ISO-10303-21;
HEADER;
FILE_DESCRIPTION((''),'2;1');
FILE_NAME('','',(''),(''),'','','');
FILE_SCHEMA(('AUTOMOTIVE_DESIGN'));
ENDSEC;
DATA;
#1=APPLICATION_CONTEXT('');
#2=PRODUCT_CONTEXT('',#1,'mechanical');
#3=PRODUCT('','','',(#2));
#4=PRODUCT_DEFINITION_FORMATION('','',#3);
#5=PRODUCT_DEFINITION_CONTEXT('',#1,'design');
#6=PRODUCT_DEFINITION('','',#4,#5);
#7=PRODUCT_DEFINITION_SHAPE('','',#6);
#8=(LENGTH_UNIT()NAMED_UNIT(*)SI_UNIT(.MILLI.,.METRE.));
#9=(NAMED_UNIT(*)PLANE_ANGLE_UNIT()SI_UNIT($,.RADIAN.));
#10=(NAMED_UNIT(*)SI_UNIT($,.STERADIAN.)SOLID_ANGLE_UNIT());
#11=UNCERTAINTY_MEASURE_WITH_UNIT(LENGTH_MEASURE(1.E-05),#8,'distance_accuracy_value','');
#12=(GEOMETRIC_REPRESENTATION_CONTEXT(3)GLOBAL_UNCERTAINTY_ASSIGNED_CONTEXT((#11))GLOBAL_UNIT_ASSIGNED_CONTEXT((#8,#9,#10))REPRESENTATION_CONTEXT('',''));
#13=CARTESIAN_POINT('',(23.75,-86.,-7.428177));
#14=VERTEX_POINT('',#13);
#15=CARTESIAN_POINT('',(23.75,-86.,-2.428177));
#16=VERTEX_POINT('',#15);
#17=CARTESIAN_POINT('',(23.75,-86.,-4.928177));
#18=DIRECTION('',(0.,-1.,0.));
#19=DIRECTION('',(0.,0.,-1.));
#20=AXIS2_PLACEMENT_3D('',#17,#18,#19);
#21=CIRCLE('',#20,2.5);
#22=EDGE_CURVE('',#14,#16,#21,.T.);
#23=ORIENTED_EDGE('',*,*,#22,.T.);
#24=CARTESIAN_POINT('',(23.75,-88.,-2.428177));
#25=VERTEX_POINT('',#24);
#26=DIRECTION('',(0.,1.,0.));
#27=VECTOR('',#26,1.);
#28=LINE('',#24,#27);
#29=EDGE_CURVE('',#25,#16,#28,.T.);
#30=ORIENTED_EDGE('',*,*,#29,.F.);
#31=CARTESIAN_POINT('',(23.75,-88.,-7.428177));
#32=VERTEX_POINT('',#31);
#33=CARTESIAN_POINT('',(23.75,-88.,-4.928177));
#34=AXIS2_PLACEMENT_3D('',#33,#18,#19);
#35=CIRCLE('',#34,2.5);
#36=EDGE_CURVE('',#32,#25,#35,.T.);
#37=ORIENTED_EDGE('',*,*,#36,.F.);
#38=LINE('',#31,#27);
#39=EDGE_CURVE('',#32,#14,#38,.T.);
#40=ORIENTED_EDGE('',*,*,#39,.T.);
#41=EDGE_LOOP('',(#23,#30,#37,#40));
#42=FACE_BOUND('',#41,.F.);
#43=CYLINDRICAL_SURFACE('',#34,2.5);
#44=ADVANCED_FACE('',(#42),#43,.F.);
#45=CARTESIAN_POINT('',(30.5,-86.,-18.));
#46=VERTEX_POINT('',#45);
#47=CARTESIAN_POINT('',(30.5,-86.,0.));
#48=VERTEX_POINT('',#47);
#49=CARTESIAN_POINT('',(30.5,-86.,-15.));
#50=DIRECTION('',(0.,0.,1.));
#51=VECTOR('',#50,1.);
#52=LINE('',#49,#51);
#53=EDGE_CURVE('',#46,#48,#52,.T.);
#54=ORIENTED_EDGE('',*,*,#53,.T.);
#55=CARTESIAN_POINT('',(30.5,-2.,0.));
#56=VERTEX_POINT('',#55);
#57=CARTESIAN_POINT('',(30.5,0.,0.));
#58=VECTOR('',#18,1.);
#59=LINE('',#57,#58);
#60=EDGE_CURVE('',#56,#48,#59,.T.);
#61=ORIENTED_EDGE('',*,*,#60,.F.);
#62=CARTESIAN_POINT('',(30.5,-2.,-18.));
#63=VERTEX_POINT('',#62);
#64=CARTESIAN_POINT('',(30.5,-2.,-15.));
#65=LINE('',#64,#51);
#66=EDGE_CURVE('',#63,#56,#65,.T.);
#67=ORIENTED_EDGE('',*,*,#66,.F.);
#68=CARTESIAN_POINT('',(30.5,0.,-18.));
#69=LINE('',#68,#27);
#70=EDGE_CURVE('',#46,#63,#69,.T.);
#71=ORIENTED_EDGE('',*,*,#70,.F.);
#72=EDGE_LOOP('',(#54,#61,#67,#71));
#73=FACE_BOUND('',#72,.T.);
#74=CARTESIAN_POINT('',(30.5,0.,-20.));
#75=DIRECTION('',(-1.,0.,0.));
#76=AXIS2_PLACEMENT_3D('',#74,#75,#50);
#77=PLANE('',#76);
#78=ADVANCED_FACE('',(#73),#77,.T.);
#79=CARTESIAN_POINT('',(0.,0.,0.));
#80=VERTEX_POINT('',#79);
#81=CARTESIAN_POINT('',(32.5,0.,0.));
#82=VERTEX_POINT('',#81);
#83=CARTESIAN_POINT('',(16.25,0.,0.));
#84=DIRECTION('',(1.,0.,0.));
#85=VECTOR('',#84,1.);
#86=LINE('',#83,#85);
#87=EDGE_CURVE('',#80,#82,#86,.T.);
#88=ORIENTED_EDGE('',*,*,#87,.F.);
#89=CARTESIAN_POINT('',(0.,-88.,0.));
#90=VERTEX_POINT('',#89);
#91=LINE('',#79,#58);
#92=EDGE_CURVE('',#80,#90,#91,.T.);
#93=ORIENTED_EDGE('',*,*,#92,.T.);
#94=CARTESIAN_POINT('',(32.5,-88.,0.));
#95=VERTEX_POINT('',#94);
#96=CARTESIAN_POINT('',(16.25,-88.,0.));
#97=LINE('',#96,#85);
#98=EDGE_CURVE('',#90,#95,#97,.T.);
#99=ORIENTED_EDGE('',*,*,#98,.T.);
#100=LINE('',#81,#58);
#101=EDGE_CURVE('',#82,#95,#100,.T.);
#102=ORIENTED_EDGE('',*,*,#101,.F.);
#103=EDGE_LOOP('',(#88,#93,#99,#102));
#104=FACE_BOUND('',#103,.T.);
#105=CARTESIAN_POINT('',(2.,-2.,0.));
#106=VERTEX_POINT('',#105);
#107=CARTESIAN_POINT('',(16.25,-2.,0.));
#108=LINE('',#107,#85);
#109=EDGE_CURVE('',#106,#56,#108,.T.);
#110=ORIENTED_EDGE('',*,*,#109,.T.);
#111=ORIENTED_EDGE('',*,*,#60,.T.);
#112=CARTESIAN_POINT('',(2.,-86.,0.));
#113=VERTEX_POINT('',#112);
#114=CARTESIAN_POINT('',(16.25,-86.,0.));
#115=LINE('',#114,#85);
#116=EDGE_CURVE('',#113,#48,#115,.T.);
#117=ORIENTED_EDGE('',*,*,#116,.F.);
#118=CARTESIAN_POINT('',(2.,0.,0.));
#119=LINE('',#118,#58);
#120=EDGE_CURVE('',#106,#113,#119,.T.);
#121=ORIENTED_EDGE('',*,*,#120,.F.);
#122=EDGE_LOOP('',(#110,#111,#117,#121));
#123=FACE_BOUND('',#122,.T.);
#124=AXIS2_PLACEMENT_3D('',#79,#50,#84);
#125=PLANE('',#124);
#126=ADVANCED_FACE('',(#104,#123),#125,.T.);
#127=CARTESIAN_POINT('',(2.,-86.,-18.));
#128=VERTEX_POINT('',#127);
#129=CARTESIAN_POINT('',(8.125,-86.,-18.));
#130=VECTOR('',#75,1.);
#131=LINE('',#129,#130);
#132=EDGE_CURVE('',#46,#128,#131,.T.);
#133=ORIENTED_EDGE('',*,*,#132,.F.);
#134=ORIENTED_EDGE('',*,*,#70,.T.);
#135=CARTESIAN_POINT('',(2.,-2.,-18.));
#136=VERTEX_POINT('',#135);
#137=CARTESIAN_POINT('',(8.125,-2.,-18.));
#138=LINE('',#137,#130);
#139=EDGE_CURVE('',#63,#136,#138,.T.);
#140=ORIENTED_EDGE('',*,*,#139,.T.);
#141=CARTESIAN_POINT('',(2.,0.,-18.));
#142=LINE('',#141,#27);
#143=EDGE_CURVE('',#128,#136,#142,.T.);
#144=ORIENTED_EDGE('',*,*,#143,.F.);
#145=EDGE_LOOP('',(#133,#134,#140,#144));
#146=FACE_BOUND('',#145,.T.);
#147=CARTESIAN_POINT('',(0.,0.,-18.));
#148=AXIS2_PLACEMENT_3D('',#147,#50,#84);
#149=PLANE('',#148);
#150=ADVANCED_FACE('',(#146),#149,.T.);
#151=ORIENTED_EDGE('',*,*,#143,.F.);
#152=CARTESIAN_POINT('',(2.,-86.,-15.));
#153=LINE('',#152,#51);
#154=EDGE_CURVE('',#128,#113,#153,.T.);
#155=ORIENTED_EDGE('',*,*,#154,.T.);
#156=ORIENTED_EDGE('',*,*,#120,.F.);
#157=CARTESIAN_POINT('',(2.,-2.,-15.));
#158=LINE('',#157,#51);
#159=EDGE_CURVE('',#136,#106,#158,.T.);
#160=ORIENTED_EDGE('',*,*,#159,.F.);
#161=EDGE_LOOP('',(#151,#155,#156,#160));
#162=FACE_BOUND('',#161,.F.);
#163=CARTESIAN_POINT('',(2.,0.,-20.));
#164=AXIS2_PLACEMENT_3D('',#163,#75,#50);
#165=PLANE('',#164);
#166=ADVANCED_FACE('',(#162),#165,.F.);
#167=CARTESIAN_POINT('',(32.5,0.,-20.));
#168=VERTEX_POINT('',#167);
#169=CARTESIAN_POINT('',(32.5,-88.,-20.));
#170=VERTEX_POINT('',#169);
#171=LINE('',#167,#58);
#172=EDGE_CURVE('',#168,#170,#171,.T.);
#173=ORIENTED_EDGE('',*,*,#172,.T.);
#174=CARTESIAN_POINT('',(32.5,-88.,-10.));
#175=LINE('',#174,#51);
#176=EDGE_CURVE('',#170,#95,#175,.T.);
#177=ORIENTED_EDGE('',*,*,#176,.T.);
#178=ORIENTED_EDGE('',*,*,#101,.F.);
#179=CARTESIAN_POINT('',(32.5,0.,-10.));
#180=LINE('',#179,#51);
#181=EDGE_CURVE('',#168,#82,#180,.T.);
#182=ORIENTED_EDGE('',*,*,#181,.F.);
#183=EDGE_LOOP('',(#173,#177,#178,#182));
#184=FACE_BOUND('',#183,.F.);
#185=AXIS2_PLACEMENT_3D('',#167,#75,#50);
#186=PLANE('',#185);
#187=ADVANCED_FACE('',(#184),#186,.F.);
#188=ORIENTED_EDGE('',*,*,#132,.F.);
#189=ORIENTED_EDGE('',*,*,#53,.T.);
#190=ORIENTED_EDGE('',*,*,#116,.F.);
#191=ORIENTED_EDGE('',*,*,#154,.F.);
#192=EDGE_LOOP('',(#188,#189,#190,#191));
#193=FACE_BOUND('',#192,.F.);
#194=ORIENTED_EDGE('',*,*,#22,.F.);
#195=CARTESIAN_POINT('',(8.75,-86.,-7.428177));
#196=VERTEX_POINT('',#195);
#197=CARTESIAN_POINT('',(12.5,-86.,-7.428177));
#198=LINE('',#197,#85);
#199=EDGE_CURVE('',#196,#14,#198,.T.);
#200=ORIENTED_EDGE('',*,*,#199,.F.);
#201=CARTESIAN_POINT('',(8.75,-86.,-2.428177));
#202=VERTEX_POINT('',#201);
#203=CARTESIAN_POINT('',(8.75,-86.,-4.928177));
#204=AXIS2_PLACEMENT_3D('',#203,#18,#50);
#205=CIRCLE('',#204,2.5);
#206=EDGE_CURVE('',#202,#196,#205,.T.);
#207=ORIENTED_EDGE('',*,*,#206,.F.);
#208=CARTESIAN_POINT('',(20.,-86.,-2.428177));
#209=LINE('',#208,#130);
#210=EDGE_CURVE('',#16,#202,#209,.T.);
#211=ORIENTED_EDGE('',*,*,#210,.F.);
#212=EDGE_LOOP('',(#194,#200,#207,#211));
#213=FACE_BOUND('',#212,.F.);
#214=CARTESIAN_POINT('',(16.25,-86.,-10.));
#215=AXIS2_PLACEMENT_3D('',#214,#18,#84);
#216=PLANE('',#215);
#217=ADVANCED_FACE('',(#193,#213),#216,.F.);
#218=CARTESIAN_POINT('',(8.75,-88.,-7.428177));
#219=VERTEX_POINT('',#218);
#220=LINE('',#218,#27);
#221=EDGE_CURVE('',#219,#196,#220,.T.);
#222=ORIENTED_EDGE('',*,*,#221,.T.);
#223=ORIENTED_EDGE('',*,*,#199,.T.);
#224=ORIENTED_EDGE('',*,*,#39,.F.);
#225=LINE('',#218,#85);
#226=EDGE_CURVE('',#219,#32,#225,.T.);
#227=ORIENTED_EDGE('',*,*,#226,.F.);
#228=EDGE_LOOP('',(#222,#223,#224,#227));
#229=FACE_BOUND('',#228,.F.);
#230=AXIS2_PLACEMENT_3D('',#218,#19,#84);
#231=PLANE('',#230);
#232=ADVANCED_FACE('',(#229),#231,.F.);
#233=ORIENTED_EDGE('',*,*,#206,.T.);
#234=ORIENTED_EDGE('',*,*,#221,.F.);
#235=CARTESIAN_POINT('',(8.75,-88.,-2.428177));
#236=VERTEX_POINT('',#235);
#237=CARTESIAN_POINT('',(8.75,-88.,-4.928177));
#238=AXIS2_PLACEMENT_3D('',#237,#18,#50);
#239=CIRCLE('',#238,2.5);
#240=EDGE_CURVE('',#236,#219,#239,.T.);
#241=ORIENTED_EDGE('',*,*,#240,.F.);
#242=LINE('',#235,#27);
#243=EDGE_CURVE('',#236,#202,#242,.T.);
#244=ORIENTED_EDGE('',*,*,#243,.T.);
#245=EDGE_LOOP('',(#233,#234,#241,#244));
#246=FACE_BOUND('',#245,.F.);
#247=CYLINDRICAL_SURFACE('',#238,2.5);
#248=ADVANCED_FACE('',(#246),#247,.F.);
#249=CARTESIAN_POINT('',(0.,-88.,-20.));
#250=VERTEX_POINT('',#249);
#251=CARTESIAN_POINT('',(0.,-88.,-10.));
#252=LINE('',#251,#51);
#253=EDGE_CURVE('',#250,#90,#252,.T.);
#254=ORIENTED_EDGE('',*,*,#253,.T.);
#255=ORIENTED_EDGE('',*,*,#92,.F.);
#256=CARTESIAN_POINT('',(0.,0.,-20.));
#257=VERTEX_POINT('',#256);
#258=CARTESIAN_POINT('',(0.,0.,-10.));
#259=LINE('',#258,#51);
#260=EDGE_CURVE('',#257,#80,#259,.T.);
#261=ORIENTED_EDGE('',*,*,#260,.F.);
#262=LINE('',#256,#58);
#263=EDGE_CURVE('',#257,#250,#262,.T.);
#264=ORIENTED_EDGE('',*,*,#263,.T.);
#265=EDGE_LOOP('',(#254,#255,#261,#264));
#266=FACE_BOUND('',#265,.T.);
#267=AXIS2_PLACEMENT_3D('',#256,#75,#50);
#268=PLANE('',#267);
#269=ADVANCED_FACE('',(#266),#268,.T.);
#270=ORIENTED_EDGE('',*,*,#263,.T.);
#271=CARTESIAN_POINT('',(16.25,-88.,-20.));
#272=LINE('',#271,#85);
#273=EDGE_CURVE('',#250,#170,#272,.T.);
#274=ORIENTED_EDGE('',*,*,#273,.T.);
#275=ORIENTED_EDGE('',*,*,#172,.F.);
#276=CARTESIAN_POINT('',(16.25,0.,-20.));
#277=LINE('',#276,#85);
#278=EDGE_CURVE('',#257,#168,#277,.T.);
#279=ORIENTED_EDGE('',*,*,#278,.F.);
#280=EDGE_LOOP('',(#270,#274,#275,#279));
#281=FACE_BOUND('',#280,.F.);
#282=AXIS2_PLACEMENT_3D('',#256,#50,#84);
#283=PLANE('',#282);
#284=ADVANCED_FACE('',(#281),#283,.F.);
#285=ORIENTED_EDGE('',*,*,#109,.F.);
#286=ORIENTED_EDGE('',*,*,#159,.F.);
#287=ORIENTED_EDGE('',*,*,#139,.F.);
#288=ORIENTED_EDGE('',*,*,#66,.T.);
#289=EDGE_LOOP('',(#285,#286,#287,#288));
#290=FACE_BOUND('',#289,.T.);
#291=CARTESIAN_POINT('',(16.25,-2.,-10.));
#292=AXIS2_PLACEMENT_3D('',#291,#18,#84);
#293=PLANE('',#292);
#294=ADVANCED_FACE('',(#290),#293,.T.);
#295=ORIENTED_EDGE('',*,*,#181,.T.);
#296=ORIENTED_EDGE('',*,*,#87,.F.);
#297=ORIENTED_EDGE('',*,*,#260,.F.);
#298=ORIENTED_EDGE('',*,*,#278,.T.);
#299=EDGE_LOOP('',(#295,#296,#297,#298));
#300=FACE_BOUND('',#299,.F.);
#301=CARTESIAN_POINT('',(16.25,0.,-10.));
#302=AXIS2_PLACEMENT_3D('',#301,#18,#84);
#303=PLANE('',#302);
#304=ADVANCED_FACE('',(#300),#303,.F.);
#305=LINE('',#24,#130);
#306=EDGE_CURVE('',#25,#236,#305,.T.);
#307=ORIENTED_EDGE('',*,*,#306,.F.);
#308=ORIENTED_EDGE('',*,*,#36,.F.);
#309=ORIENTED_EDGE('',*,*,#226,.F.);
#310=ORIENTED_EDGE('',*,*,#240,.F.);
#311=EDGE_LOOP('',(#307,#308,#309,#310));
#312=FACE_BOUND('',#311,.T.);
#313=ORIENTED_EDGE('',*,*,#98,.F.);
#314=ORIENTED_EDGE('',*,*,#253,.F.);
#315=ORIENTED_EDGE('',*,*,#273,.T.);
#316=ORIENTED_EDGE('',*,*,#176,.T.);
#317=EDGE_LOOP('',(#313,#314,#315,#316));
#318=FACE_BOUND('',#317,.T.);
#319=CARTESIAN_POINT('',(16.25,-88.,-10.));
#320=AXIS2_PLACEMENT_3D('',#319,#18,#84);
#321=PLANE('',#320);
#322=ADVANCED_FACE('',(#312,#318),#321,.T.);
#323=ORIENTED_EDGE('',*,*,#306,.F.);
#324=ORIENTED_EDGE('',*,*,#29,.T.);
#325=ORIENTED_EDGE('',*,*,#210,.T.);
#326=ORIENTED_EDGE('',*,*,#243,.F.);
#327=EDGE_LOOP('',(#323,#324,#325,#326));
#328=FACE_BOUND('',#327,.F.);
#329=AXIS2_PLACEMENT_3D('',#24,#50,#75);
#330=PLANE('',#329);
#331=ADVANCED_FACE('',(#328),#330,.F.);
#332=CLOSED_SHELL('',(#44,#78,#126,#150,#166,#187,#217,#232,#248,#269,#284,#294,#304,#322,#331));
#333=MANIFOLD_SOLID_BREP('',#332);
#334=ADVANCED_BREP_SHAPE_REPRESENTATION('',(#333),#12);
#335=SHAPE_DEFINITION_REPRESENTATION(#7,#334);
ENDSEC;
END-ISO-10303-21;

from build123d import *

# Parameters (mm, degrees)
F0_W     = 32.5
F0_H     = 20
F1_DEPTH = 88
F2_T     = -2
F4_DEPTH = 25


with BuildPart() as f1:
    # F0 (on Front) → F1 (new body)
    with BuildSketch(Plane.XZ):
        with Locations((16.25, -10)):
            Rectangle(F0_W, F0_H)
    extrude(amount=F1_DEPTH)

    # F2
    f2_openings = [f1.faces().sort_by_distance(p)[0] for p in [
        (16.25, -44, 0),
    ]]
    offset(amount=F2_T, openings=f2_openings)

    # F3 (on face) → F4 (cut)
    with BuildSketch(Plane.XZ.offset(88)):
        with BuildLine():
            Line((23.75, -2.428177), (8.75, -2.428177))
            ThreePointArc((8.75, -2.428177), (6.25, -4.928177), (8.75, -7.428177))
            Line((8.75, -7.428177), (23.75, -7.428177))
            ThreePointArc((23.75, -7.428177), (26.25, -4.928177), (23.75, -2.428177))
        make_face()
    extrude(amount=-F4_DEPTH, mode=Mode.SUBTRACT)


solid = f1.part
